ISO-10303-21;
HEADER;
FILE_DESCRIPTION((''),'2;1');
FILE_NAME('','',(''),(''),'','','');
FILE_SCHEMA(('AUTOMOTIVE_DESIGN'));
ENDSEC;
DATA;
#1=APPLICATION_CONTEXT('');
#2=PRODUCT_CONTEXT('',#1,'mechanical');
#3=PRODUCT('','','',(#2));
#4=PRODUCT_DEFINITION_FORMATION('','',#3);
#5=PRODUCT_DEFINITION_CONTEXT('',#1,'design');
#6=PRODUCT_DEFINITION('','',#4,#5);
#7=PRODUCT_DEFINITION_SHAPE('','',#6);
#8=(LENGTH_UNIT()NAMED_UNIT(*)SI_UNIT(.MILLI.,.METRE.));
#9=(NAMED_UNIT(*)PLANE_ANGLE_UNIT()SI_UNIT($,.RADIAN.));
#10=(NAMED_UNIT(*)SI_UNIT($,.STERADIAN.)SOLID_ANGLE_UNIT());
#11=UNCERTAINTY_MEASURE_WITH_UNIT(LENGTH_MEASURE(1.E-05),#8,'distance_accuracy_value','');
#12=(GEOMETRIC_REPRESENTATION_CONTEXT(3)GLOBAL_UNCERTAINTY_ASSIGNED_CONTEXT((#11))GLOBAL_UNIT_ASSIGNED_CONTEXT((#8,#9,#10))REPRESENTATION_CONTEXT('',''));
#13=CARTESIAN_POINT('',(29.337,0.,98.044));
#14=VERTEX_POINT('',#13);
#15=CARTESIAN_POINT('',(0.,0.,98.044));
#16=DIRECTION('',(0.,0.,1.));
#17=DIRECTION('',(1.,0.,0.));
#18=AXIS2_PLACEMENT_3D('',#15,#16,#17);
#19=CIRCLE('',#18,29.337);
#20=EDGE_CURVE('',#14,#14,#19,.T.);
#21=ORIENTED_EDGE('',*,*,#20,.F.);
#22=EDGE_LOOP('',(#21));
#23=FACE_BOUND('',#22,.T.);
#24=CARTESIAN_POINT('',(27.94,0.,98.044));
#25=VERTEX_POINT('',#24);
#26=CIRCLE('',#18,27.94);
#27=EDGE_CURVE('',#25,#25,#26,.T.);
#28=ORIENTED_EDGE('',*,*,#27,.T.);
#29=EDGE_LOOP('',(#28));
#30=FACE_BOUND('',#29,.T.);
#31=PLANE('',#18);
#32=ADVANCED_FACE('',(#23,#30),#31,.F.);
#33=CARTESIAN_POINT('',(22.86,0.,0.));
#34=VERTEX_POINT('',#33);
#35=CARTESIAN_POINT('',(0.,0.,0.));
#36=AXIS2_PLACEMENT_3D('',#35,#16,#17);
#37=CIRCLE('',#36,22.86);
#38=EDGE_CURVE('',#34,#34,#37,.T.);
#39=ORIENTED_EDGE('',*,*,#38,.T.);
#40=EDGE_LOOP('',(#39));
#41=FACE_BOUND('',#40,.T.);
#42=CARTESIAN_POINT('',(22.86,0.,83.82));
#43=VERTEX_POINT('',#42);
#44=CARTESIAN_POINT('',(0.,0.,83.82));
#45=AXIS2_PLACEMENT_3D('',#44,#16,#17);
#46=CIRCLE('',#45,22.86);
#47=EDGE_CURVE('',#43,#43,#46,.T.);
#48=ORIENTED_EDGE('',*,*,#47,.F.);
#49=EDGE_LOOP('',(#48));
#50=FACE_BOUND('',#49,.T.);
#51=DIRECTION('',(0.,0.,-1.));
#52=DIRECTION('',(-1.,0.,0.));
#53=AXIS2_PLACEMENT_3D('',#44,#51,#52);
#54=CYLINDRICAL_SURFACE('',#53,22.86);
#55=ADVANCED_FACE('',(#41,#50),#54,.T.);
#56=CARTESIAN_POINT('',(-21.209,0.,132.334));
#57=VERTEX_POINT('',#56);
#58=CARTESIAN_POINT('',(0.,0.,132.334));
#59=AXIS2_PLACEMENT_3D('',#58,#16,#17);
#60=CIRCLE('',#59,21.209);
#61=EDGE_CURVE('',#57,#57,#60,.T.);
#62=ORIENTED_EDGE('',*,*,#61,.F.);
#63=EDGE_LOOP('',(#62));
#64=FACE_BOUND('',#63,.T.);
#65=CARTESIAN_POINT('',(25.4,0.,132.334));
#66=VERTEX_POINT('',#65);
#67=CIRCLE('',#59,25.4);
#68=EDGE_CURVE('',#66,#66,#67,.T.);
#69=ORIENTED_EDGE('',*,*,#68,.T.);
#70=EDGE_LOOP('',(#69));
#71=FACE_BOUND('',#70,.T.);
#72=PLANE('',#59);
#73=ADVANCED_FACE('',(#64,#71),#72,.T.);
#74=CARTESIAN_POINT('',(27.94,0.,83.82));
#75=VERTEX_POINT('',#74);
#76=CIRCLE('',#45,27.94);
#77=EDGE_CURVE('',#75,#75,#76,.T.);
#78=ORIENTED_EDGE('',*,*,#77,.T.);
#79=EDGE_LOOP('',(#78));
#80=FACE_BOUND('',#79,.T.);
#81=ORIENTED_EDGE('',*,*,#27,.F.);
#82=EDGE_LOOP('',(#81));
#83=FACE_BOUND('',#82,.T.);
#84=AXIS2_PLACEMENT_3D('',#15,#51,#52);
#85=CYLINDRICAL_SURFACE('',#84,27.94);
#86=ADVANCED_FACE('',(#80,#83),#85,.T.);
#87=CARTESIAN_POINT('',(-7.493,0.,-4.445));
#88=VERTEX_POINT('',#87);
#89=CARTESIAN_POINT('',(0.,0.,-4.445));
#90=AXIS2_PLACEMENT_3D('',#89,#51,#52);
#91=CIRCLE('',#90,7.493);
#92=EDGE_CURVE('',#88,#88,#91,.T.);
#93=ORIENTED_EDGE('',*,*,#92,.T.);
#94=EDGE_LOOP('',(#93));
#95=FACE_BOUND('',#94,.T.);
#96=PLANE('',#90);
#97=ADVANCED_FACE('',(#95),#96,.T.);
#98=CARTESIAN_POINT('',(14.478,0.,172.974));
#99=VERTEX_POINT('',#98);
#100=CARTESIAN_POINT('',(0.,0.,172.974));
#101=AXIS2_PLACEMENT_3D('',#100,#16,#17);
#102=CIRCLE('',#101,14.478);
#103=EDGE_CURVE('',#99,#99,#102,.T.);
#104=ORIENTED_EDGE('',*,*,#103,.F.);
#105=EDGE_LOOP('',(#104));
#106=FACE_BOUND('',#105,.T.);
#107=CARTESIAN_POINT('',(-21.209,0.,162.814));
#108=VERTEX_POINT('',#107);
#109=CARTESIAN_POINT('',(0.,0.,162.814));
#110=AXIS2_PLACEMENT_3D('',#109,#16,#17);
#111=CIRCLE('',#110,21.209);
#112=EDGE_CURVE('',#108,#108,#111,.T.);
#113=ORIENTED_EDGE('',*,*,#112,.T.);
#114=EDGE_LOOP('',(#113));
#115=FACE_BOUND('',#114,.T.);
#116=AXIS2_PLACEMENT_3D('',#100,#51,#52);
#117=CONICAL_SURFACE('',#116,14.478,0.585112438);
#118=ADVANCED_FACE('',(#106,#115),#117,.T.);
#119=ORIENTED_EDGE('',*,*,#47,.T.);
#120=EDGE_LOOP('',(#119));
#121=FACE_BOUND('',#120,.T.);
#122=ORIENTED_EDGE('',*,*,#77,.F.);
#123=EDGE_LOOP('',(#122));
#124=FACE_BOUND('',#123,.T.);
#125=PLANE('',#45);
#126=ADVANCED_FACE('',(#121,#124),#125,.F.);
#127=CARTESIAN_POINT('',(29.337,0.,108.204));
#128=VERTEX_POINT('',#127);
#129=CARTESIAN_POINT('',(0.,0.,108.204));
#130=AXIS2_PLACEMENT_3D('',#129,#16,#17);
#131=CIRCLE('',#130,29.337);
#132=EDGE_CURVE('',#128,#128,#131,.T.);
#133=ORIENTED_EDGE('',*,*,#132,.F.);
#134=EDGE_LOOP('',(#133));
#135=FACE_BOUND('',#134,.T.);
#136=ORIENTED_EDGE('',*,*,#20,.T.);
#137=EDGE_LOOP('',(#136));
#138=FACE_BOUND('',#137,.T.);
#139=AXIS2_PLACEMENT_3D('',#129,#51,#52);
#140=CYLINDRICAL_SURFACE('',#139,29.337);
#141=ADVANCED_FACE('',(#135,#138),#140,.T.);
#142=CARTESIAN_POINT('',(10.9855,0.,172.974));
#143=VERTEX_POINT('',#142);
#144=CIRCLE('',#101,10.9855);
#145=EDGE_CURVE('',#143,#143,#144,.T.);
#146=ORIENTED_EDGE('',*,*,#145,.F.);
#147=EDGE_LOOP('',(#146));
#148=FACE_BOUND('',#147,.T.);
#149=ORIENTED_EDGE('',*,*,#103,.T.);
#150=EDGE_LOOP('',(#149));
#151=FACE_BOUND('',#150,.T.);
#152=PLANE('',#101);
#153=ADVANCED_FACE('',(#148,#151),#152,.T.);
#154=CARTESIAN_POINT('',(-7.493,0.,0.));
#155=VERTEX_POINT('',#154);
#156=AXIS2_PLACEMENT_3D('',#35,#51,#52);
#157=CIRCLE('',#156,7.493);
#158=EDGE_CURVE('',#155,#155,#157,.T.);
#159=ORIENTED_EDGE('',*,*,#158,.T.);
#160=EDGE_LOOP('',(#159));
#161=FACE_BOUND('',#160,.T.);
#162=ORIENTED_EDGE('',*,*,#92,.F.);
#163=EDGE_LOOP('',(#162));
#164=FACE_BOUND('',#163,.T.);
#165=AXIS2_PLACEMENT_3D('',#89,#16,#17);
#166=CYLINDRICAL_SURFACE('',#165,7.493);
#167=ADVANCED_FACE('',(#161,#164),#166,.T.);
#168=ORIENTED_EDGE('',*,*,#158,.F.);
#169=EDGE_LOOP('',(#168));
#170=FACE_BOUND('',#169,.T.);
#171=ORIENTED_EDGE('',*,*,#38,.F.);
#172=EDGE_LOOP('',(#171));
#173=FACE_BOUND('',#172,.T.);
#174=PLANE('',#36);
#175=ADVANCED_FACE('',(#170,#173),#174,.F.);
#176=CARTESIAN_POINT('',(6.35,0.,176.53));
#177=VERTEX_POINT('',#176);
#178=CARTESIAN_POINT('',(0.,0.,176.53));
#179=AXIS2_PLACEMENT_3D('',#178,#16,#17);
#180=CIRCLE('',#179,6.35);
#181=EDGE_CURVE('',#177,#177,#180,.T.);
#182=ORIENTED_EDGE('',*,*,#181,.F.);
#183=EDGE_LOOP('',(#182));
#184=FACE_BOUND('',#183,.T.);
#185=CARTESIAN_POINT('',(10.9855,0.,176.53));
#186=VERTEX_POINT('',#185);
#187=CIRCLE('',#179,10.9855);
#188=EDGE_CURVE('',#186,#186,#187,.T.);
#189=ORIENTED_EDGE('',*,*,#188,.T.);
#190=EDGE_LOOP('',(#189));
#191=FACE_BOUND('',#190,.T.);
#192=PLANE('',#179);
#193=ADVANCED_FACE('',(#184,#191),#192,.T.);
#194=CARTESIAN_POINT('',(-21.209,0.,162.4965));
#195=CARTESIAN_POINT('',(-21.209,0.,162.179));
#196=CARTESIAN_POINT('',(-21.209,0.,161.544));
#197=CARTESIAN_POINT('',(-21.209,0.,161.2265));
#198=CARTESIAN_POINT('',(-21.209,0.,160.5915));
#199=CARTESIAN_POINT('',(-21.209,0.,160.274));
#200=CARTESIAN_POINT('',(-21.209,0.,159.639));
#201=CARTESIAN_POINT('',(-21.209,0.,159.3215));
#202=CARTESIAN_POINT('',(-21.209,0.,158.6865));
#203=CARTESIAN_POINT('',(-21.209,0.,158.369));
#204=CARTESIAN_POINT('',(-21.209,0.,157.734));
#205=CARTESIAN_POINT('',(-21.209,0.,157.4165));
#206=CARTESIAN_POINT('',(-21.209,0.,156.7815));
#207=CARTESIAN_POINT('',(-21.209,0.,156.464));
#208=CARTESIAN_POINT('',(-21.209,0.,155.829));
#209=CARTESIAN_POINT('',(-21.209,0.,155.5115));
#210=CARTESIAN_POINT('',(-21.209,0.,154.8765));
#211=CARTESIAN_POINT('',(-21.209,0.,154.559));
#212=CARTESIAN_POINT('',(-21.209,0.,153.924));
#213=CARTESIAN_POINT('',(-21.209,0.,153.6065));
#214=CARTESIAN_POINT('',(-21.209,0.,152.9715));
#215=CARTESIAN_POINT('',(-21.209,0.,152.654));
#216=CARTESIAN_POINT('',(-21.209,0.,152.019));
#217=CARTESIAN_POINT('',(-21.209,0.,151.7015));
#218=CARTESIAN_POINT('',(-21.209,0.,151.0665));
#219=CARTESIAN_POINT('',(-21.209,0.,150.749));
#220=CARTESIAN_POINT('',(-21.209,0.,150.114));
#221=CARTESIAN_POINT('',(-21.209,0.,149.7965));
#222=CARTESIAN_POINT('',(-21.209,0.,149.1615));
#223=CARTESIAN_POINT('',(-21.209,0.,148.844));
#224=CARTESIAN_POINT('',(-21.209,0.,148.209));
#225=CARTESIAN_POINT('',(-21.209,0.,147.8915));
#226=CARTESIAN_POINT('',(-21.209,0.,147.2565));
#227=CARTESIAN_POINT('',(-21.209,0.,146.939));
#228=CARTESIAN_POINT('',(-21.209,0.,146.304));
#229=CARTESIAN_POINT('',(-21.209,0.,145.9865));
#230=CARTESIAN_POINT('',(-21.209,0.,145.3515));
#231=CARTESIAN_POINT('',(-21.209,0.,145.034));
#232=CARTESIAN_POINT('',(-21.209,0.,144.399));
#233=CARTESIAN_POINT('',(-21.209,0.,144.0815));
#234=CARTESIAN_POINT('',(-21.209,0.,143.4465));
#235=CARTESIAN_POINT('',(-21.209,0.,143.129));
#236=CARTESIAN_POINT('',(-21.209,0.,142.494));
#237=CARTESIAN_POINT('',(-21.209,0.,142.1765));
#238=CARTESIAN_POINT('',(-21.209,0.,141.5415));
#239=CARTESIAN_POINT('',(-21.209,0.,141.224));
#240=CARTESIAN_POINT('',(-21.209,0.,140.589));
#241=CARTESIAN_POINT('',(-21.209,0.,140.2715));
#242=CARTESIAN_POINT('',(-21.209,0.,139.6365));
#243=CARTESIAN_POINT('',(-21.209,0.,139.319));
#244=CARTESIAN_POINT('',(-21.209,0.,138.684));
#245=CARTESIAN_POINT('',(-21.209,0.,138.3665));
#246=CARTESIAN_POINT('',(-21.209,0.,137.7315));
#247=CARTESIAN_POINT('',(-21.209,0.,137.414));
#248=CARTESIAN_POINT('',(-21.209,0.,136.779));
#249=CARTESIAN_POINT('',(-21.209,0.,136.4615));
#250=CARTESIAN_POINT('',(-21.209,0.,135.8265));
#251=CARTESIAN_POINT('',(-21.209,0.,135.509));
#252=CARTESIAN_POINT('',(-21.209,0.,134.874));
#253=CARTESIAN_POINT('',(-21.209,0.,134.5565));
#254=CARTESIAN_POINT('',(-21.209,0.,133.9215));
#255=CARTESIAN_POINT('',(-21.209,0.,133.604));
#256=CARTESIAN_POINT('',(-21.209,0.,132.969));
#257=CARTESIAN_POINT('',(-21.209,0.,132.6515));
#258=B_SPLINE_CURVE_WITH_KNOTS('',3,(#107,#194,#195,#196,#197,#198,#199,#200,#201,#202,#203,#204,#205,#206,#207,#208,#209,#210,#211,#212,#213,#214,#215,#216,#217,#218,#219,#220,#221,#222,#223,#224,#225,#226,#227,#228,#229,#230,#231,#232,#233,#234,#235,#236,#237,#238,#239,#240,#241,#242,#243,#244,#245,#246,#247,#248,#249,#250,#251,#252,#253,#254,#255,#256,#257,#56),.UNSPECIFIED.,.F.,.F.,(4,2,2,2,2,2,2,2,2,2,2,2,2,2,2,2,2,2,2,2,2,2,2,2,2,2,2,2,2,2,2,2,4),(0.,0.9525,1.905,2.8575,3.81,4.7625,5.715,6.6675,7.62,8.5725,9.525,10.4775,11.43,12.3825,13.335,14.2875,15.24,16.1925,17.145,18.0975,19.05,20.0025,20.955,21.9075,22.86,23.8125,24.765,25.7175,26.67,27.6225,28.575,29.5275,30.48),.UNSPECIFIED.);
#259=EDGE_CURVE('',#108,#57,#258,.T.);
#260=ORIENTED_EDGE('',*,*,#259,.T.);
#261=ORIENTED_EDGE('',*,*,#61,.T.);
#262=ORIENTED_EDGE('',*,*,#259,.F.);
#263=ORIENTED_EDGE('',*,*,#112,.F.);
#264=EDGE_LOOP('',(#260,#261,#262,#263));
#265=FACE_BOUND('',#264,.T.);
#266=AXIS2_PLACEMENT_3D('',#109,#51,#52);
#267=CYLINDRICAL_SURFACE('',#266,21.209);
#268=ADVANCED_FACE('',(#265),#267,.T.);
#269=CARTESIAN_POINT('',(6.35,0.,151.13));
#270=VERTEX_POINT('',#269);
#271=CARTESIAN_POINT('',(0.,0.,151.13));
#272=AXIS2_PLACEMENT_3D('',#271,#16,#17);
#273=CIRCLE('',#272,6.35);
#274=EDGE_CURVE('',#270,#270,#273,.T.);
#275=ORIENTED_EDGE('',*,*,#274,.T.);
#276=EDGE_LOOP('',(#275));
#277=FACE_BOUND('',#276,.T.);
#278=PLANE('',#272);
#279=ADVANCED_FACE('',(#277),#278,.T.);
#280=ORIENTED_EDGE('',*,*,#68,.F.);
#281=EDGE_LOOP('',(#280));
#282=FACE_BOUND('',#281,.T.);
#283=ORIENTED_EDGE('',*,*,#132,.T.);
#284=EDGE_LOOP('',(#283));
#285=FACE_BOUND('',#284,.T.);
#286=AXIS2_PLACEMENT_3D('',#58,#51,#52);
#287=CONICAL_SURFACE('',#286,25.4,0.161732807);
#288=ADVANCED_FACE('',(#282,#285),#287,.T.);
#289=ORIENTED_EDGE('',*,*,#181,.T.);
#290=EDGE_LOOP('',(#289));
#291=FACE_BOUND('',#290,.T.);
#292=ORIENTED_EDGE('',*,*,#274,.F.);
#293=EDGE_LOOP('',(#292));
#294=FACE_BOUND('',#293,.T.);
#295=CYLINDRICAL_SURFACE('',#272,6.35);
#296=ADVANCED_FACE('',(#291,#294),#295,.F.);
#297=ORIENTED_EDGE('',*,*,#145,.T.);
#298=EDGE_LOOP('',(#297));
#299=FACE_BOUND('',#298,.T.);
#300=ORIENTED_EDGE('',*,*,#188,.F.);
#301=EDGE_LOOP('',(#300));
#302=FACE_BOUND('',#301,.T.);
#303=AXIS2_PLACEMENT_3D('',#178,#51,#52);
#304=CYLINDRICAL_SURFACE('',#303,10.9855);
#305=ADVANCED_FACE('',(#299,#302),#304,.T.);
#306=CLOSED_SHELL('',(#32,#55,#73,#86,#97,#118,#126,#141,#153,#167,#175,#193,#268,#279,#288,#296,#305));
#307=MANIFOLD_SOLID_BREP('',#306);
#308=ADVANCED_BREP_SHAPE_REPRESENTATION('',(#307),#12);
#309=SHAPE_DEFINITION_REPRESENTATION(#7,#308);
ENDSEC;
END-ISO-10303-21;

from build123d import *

# Parameters (mm, degrees)
SKETCH2_R           = 22.86
BOSS_EXTRUDE1_DEPTH = 83.82
SKETCH3_R           = 27.94
BOSS_EXTRUDE2_DEPTH = 14.224
SKETCH4_R           = 7.493
BOSS_EXTRUDE3_DEPTH = 4.445
SKETCH5_R           = 29.337
BOSS_EXTRUDE4_DEPTH = 10.16
SKETCH6_R           = 25.4
BOSS_EXTRUDE5_DEPTH = 24.13
SKETCH7_R           = 21.209
BOSS_EXTRUDE6_DEPTH = 30.48
SKETCH8_R           = 14.478
BOSS_EXTRUDE7_DEPTH = 10.16
SKETCH9_R           = 10.9855
BOSS_EXTRUDE8_DEPTH = 3.556
SKETCH10_R          = 6.35
CUT_EXTRUDE1_DEPTH  = 25.4


with BuildPart() as part:
    # Sketch2 → Boss-Extrude1 (new body)
    with BuildSketch(Plane.XY):
        Circle(SKETCH2_R)
    extrude(amount=BOSS_EXTRUDE1_DEPTH)

    # Sketch3 → Boss-Extrude2 (add)
    with BuildSketch(Plane.XY.offset(83.82)):
        Circle(SKETCH3_R)
    extrude(amount=BOSS_EXTRUDE2_DEPTH)

    # Sketch4 → Boss-Extrude3 (add)
    with BuildSketch(Plane(origin=(0, 0, 0), x_dir=(-1, 0, 0), z_dir=(0, 0, -1))):
        Circle(SKETCH4_R)
    extrude(amount=BOSS_EXTRUDE3_DEPTH)

    # Sketch5 → Boss-Extrude4 (add)
    with BuildSketch(Plane.XY.offset(98.044)):
        Circle(SKETCH5_R)
    extrude(amount=BOSS_EXTRUDE4_DEPTH)

    # Sketch6 → Boss-Extrude5 (add)
    with BuildSketch(Plane.XY.offset(108.204)):
        with Locations(Location((0, 0, 0), (0, 0, 180))):
            Circle(SKETCH6_R)
    extrude(amount=BOSS_EXTRUDE5_DEPTH)

    # loft up to a face of the part (loft1)
    loft([Face(Wire([part.edges().sort_by_distance((-20.082558447, 21.385752623, 108.204))[0]])), Face(Wire([part.edges().sort_by_distance((17.387496491, -18.515803137, 132.334))[0]]))])

    # Sketch7 → Boss-Extrude6 (add)
    with BuildSketch(Plane.XY.offset(132.334)):
        with Locations(Location((0, 0, 0), (0, 0, 180))):
            Circle(SKETCH7_R)
    extrude(amount=BOSS_EXTRUDE6_DEPTH)

    # Sketch8 → Boss-Extrude7 (add)
    with BuildSketch(Plane.XY.offset(162.814)):
        Circle(SKETCH8_R)
    extrude(amount=BOSS_EXTRUDE7_DEPTH)

    # Sketch9 → Boss-Extrude8 (add)
    with BuildSketch(Plane.XY.offset(172.974)):
        Circle(SKETCH9_R)
    extrude(amount=BOSS_EXTRUDE8_DEPTH)

    # loft up to a face of the part (loft2)
    loft([Face(Wire([part.edges().sort_by_distance((14.51855957, -15.460695619, 162.814))[0]])), Face(Wire([part.edges().sort_by_distance((-9.910873, 10.554007788, 172.974))[0]]))])

    # Sketch10 → Cut-Extrude1 (cut)
    with BuildSketch(Plane.XY.offset(176.53)):
        Circle(SKETCH10_R)
    extrude(amount=-CUT_EXTRUDE1_DEPTH, mode=Mode.SUBTRACT)


solid = part.part
